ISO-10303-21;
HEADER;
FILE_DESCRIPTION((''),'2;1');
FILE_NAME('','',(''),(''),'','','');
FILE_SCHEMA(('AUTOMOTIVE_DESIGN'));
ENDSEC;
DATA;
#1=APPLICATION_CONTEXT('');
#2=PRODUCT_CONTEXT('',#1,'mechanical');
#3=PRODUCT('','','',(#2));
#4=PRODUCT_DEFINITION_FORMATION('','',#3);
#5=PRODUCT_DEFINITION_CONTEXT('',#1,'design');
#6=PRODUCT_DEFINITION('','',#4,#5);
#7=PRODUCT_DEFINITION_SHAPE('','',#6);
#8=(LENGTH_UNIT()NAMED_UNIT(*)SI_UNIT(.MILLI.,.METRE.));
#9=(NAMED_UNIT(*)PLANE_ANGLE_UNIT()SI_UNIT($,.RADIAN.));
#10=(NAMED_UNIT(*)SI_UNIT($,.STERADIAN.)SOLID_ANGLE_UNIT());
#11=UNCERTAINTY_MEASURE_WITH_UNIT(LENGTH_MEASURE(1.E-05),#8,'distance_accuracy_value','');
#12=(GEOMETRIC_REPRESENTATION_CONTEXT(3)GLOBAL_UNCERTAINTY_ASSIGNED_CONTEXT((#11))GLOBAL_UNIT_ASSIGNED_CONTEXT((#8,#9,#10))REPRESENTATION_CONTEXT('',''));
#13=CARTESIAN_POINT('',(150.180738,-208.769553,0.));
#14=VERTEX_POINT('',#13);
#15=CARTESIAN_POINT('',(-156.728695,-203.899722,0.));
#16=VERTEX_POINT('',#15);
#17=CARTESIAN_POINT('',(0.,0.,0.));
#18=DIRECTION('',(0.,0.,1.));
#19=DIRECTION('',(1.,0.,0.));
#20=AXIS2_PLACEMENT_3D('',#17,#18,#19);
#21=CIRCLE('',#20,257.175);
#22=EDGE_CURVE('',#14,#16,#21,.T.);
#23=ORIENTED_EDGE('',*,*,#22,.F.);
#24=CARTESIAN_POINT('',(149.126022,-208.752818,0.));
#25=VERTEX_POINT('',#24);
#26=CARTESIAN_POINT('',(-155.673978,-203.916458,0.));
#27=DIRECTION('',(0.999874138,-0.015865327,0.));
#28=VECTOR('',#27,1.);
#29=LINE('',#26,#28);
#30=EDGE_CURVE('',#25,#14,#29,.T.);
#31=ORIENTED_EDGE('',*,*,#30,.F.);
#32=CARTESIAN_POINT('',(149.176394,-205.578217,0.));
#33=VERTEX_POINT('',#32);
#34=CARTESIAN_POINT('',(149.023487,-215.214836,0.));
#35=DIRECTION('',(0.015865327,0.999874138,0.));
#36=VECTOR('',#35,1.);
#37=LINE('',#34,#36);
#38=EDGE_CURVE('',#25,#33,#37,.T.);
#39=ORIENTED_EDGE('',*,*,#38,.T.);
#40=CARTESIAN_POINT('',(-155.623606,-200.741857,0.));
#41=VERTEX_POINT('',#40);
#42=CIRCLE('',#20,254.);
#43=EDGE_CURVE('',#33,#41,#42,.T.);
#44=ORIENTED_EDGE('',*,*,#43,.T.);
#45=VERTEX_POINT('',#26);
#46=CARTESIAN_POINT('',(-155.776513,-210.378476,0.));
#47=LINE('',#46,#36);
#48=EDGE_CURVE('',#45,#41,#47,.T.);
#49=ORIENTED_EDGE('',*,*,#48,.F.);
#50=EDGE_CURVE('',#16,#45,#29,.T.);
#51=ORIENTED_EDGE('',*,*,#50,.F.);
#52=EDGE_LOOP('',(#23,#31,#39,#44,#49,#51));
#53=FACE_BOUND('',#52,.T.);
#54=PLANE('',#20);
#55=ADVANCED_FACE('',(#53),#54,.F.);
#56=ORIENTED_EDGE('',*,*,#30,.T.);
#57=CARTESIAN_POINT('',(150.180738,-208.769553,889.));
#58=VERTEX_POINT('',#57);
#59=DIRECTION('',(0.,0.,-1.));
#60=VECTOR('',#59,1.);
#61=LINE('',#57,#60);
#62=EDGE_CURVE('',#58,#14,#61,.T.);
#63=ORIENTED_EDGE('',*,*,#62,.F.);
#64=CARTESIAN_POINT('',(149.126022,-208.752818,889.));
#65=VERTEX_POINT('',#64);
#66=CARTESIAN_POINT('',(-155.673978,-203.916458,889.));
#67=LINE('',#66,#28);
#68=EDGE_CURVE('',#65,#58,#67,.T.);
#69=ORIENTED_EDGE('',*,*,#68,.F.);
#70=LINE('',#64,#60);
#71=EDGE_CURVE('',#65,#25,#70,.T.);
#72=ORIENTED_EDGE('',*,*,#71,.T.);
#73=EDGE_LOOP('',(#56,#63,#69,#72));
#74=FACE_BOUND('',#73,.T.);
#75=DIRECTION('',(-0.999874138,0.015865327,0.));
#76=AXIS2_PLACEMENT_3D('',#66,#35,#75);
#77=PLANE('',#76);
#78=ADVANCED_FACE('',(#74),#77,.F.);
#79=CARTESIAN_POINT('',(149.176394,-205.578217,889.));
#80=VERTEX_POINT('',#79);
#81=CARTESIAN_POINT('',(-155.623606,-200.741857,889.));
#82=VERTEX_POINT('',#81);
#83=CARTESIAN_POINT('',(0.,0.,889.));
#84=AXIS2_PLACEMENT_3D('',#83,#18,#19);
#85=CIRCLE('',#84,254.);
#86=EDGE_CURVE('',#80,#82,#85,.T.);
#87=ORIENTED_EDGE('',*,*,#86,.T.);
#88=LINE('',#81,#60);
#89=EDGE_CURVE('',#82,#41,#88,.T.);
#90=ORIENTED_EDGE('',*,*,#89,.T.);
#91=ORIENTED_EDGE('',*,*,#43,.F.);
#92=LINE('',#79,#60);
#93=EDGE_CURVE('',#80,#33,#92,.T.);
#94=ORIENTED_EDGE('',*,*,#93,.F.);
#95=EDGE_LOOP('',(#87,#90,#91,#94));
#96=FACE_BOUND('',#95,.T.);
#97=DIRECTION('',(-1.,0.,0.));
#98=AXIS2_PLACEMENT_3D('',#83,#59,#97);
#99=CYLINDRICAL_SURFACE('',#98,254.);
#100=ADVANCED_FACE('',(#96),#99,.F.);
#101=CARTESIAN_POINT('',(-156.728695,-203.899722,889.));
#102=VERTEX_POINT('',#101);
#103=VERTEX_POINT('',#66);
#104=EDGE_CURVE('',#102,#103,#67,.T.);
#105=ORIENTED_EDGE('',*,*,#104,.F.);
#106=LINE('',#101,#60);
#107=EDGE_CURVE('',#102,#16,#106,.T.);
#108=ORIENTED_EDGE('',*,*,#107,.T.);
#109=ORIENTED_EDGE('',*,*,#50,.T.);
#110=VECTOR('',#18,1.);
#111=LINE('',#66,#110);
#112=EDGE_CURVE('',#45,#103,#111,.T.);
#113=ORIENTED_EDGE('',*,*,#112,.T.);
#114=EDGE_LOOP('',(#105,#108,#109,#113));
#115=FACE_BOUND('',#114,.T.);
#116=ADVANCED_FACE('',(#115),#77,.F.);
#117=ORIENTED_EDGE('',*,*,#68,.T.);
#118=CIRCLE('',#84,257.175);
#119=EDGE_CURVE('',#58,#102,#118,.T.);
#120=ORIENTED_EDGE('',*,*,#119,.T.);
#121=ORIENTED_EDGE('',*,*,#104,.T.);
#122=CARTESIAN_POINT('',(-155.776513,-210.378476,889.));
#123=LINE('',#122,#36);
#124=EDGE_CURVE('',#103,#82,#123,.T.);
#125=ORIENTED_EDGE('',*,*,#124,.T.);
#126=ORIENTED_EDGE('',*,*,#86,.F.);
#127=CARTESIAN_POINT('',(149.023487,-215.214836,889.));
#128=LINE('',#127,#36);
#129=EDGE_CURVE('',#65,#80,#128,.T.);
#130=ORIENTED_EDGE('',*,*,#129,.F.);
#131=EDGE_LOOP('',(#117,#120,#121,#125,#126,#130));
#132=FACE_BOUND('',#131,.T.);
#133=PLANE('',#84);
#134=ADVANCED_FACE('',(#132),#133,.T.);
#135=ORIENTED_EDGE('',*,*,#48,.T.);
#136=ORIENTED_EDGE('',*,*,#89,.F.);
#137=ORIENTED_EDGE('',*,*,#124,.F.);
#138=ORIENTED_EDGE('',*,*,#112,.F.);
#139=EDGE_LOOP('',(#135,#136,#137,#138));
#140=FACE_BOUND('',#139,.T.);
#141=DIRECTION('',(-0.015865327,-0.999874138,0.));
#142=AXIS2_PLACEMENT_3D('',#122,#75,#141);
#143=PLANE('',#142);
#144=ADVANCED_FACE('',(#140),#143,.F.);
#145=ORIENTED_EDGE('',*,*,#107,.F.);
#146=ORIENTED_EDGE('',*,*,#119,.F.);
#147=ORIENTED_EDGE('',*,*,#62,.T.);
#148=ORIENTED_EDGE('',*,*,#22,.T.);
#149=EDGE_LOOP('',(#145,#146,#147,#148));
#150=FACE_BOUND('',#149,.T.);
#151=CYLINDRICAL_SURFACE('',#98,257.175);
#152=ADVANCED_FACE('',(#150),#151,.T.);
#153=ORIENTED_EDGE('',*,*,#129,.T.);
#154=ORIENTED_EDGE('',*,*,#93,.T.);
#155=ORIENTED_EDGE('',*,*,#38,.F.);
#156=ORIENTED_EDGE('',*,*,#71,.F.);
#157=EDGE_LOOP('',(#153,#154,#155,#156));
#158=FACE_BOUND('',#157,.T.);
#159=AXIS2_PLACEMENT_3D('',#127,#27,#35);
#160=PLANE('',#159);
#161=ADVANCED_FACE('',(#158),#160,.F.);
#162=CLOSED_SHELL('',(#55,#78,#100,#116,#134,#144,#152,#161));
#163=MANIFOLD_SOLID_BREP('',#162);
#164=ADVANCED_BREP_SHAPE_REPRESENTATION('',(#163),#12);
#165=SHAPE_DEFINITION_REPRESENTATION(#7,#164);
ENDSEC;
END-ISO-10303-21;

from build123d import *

# Parameters (mm, degrees)
EXTRUDE_THIN1_DEPTH = 889
SKETCH5_W           = 304.838367632
SKETCH5_H           = 889
CUT_EXTRUDE1_DEPTH  = 1035.425821721


with BuildPart() as part:
    # Sketch2 → Extrude-Thin1 (new body)
    with BuildSketch(Plane.XY):
        with BuildLine():
            Line((-156.728695436, -203.89972205), (150.180738454, -208.769553389))
            ThreePointArc((150.180738454, -208.769553389), (4.080165374, 257.142631385), (-156.728695436, -203.89972205))
        make_face()
        with BuildLine():
            Line((-155.623606079, -200.741857197), (149.176393921, -205.578217466))
            ThreePointArc((149.176393921, -205.578217466), (4.029792962, 253.968030997), (-155.623606079, -200.741857197))
        make_face(mode=Mode.SUBTRACT)
    extrude(amount=EXTRUDE_THIN1_DEPTH)

    # Sketch5 → Cut-Extrude1 (cut, through all)
    with BuildSketch(Plane(origin=(-3.223606079, -203.160037332, 0), x_dir=(0.9998741377849476, -0.01586532662152281, 0), z_dir=(0.01586532662152281, 0.9998741377849476, 0))):
        with Locations((0, -444.5)):
            Rectangle(SKETCH5_W, SKETCH5_H)
    extrude(amount=-CUT_EXTRUDE1_DEPTH, mode=Mode.SUBTRACT)


solid = part.part
